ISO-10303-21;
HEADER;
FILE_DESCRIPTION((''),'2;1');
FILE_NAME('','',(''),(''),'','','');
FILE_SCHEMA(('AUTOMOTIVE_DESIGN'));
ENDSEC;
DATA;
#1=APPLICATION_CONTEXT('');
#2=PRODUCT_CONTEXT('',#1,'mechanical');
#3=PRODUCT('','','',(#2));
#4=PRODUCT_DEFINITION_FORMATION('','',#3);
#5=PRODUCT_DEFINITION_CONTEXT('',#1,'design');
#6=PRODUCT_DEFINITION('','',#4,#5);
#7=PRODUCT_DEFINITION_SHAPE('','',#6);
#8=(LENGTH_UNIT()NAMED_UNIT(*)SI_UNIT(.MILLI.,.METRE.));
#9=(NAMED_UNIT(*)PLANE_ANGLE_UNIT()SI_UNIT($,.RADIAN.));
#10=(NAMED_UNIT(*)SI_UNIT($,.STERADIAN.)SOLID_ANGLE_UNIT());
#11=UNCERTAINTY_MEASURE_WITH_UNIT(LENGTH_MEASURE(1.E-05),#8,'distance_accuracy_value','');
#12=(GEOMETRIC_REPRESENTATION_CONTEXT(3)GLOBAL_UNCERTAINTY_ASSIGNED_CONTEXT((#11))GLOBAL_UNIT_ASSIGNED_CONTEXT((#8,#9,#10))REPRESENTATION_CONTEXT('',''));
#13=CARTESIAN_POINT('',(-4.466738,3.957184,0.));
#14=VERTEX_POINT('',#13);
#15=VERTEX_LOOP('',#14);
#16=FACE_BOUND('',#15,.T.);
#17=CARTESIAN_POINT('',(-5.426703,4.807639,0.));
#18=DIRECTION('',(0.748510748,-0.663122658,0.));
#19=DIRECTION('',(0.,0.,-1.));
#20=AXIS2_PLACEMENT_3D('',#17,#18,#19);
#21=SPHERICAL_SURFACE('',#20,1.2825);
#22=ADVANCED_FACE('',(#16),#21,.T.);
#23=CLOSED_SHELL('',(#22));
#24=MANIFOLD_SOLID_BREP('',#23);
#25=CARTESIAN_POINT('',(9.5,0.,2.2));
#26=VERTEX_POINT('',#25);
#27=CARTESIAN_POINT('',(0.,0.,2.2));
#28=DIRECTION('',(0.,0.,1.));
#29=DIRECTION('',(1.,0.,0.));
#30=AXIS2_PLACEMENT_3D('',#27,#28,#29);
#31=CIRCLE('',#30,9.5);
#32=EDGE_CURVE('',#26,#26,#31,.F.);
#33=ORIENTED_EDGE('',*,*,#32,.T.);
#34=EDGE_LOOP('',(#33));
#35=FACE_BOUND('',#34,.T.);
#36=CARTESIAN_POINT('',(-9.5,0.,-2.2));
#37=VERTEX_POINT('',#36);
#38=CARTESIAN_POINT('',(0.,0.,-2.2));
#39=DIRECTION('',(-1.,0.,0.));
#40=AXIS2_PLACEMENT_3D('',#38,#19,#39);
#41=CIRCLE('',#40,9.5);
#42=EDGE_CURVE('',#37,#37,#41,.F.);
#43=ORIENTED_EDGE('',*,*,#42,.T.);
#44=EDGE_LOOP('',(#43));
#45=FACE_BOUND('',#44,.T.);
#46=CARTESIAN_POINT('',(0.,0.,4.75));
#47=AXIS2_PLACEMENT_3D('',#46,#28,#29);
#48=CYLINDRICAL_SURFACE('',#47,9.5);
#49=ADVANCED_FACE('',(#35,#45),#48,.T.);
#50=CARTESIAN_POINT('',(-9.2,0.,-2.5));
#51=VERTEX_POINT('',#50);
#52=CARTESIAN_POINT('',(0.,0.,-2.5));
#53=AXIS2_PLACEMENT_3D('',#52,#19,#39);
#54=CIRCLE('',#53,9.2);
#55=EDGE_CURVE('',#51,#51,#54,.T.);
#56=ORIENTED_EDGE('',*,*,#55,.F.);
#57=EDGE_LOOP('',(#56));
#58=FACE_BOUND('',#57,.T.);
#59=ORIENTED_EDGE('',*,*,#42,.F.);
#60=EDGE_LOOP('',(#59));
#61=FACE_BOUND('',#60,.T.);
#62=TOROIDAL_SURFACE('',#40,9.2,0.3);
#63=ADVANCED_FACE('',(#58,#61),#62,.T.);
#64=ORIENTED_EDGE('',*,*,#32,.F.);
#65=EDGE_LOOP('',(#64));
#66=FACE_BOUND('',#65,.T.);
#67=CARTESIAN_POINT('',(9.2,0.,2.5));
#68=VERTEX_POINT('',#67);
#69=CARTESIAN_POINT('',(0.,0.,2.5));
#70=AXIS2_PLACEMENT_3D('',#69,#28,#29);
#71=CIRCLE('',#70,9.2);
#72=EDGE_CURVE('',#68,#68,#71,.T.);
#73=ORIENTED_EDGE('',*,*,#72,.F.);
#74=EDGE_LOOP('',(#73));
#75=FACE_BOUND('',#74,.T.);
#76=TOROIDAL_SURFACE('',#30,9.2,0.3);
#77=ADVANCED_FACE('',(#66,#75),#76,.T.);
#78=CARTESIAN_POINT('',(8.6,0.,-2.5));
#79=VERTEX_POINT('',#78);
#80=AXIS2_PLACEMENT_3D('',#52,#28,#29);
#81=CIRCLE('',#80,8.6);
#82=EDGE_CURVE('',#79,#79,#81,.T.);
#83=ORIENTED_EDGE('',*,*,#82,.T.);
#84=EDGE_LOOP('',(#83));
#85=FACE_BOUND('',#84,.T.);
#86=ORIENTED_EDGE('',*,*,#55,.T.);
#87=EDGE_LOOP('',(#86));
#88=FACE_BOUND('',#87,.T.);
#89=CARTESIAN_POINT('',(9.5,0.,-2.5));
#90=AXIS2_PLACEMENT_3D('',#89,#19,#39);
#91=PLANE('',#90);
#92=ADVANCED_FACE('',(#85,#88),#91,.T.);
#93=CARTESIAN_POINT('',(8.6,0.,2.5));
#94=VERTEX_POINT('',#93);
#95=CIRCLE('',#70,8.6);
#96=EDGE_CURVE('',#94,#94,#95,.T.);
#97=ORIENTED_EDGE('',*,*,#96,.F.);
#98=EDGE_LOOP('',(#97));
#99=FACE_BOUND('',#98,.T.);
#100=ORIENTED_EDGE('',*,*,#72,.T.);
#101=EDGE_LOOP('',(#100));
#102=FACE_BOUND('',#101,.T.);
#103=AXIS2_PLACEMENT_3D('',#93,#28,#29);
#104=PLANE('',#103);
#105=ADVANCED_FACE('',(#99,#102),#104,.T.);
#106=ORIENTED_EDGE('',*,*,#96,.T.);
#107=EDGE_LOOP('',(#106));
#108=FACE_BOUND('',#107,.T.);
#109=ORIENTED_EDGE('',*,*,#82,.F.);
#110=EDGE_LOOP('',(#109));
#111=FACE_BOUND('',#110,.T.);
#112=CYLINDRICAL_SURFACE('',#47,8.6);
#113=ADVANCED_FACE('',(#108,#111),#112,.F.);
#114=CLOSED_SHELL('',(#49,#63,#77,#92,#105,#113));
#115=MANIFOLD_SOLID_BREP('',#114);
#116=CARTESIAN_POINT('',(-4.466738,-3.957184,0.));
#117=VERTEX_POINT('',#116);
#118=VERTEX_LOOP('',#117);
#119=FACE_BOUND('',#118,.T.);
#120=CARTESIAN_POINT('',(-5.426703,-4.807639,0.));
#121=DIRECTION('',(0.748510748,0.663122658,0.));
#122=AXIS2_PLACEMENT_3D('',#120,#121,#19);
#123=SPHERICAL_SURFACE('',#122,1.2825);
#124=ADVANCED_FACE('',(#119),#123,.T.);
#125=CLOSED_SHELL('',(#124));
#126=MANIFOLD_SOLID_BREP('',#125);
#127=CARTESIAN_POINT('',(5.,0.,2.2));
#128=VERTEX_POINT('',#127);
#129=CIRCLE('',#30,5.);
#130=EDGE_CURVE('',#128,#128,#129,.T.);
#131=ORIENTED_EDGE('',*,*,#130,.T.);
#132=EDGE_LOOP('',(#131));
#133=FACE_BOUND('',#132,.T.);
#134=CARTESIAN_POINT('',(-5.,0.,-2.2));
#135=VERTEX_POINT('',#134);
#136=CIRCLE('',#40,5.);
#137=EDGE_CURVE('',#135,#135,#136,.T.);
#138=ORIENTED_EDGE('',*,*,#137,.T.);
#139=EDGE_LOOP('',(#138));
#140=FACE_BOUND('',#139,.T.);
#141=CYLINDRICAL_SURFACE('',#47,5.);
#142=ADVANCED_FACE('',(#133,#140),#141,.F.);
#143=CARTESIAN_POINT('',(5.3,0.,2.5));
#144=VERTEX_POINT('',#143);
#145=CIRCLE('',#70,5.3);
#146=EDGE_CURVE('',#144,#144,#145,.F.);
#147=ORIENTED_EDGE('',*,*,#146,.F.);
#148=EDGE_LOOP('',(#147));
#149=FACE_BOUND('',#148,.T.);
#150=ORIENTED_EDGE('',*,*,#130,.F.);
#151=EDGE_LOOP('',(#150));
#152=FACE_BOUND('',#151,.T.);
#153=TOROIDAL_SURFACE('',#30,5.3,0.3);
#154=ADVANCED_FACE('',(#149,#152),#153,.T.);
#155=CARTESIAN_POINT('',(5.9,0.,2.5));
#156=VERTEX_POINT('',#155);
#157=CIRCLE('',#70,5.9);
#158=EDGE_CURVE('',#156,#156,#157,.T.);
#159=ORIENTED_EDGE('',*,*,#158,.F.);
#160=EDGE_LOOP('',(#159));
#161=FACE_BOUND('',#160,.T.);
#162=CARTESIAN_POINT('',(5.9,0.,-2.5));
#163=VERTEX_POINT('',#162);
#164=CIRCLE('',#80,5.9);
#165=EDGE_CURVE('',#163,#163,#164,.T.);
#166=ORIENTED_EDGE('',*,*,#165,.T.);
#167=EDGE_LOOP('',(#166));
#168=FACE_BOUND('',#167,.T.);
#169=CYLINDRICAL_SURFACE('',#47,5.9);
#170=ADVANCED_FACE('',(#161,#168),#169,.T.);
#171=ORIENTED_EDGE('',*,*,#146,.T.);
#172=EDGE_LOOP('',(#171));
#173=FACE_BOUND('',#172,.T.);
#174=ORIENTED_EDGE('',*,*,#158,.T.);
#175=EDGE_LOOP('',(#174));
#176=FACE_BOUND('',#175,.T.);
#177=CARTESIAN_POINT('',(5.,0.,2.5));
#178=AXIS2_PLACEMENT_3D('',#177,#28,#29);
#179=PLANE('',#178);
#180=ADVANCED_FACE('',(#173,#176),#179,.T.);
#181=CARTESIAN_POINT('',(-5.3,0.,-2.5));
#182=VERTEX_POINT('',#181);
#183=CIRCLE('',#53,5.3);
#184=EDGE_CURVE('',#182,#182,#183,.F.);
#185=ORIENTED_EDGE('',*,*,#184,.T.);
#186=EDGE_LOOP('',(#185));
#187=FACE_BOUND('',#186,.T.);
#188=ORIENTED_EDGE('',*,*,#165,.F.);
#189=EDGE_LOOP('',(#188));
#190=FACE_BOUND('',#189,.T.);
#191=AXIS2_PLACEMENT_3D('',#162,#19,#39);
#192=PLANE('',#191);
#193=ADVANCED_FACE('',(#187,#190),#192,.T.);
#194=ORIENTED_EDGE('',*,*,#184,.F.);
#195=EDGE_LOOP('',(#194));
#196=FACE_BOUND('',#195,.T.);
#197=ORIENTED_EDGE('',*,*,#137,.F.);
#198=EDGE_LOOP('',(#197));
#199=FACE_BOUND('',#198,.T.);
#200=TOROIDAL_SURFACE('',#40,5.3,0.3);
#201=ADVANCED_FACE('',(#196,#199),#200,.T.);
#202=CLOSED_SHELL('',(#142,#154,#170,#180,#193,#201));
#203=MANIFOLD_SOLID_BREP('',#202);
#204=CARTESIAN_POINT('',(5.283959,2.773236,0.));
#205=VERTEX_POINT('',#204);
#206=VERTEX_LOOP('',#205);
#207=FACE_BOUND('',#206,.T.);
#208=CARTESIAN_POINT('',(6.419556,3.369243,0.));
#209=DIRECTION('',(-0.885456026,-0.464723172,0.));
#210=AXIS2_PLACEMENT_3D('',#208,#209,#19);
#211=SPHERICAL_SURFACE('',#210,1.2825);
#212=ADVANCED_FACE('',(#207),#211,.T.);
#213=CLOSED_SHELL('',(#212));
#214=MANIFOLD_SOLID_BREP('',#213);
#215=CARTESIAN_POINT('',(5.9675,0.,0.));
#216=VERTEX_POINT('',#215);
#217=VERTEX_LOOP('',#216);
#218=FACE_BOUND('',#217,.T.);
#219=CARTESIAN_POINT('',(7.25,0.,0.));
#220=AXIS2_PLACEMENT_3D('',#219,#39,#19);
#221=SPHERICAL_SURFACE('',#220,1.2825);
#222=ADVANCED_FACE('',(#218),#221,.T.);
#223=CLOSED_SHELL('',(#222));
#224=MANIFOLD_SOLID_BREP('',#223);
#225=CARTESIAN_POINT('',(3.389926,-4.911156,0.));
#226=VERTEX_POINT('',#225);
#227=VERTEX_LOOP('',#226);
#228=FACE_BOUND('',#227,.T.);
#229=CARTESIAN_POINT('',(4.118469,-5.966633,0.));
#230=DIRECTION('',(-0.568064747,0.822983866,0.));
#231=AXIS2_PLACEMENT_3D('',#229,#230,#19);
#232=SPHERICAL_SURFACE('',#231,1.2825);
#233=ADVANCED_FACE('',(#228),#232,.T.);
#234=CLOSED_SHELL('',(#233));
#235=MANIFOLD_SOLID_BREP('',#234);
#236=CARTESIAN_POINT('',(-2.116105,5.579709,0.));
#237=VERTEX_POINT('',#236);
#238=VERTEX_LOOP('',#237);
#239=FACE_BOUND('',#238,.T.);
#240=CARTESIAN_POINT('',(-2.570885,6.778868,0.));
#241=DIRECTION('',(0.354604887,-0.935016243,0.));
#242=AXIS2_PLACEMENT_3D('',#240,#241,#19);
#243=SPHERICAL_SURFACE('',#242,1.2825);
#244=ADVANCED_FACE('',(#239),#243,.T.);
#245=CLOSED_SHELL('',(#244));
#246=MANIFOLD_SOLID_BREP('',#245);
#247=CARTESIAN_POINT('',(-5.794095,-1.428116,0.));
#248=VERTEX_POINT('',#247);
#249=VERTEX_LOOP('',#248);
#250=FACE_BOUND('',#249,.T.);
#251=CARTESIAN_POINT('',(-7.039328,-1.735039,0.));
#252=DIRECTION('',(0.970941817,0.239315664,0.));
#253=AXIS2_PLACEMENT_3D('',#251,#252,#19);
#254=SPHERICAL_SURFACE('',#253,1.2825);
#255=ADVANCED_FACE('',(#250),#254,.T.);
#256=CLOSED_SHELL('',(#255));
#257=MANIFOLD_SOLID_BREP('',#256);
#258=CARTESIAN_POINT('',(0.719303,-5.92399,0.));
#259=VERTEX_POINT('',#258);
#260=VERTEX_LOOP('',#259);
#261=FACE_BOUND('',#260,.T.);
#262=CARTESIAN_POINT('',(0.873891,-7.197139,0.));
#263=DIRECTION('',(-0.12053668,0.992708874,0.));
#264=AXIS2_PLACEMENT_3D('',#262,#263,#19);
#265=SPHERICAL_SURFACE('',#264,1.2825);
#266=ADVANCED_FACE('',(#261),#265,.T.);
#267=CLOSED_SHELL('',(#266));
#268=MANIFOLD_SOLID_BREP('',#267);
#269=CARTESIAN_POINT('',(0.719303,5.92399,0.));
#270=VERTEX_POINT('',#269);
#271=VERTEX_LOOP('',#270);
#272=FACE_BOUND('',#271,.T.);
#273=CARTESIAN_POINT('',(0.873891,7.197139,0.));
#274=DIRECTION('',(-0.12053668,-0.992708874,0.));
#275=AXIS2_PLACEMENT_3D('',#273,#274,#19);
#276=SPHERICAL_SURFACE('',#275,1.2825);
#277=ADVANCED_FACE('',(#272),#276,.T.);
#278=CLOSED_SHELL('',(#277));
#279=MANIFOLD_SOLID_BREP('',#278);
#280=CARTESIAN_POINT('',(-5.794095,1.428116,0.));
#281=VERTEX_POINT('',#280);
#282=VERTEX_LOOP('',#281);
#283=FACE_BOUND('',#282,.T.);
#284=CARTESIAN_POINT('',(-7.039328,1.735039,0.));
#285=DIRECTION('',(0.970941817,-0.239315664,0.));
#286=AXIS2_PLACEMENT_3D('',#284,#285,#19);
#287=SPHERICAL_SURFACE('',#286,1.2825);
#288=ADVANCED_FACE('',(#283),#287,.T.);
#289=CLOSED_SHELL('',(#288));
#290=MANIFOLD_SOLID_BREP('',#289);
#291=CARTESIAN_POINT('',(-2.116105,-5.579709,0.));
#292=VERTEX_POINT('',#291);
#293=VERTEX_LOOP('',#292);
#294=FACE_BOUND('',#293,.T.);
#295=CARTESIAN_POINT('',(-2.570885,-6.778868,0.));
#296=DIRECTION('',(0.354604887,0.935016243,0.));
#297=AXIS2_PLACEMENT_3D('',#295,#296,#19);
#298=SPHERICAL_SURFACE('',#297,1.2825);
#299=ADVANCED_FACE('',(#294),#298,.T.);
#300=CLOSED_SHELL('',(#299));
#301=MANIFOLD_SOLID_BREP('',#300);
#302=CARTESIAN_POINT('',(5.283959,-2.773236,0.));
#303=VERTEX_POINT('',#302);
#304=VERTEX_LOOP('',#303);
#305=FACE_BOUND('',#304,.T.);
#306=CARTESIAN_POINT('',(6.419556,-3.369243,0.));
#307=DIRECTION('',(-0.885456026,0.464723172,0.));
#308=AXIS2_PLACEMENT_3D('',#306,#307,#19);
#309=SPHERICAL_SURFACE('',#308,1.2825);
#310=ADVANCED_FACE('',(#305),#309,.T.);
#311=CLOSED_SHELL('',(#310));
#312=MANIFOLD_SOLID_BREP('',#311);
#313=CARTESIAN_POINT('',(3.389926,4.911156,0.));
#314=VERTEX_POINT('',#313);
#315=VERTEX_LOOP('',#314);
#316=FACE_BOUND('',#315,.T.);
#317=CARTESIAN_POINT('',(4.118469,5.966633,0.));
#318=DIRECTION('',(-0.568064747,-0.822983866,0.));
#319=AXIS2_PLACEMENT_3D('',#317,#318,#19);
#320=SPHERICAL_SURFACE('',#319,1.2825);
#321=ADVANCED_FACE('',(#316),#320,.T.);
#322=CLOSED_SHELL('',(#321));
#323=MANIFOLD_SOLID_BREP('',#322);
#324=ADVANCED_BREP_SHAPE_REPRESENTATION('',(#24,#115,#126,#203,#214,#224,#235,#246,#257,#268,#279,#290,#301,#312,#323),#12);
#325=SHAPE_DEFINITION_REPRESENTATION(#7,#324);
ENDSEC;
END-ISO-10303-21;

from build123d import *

# Parameters (mm, degrees)
INNERS_W           = 0.9
INNERS_H           = 5
OUTERS_W           = 0.9
OUTERS_H           = 5
BALLSPATTERN_COUNT = 13
FILLET_F1_R        = 0.3
FILLET_F2_R        = 0.3


with BuildPart() as part:
    # InnerS → InnerRing (revolve)
    with BuildSketch(Plane(origin=(0, 0, 0), x_dir=(1, 0, 0), z_dir=(0, 1, 0))):
        with Locations((5.45, 0)):
            Rectangle(INNERS_W, INNERS_H)
    revolve(axis=Axis((0, 0, 4.75), (0, 0, -1)))

    # Fillet F2
    fillet_f2_edges = [part.edges().sort_by_distance(p)[0] for p in [
        (-5, 0, -2.5),
        (-5, 0, 2.5),
    ]]
    fillet(fillet_f2_edges, radius=FILLET_F2_R)


with BuildPart() as body_2:
    # OuterS → OuterRing (revolve)
    with BuildSketch(Plane(origin=(0, 0, 0), x_dir=(1, 0, 0), z_dir=(0, 1, 0))):
        with Locations((9.05, 0)):
            Rectangle(OUTERS_W, OUTERS_H)
    revolve(axis=Axis((0, 0, 4.75), (0, 0, -1)))

    # Fillet F1
    fillet_f1_edges = [body_2.edges().sort_by_distance(p)[0] for p in [
        (-9.5, 0, -2.5),
        (-9.5, 0, 2.5),
    ]]
    fillet(fillet_f1_edges, radius=FILLET_F1_R)


with BuildPart() as body_3:
    # BallS → Ball (revolve)
    with BuildSketch(Plane(origin=(0, 0, 0), x_dir=(1, 0, 0), z_dir=(0, 1, 0))):
        with BuildLine():
            Line((5.9675, 0), (8.5325, 0))
            ThreePointArc((8.5325, 0), (7.25, -1.2825), (5.9675, 0))
        make_face()
    revolve(axis=Axis((5.9675, 0, 0), (1, 0, 0)))


with BuildPart() as ballspattern_1:
    # BallsPattern: pattern copy
    add(body_3.part.rotate(Axis((0, 0, -2.75), (0, 0, 1)), 1 * 360 / BALLSPATTERN_COUNT))


with BuildPart() as ballspattern_2:
    # BallsPattern: pattern copy
    add(body_3.part.rotate(Axis((0, 0, -2.75), (0, 0, 1)), 2 * 360 / BALLSPATTERN_COUNT))


with BuildPart() as ballspattern_3:
    # BallsPattern: pattern copy
    add(body_3.part.rotate(Axis((0, 0, -2.75), (0, 0, 1)), 3 * 360 / BALLSPATTERN_COUNT))


with BuildPart() as ballspattern_4:
    # BallsPattern: pattern copy
    add(body_3.part.rotate(Axis((0, 0, -2.75), (0, 0, 1)), 4 * 360 / BALLSPATTERN_COUNT))


with BuildPart() as ballspattern_5:
    # BallsPattern: pattern copy
    add(body_3.part.rotate(Axis((0, 0, -2.75), (0, 0, 1)), 5 * 360 / BALLSPATTERN_COUNT))


with BuildPart() as ballspattern_6:
    # BallsPattern: pattern copy
    add(body_3.part.rotate(Axis((0, 0, -2.75), (0, 0, 1)), 6 * 360 / BALLSPATTERN_COUNT))


with BuildPart() as ballspattern_7:
    # BallsPattern: pattern copy
    add(body_3.part.rotate(Axis((0, 0, -2.75), (0, 0, 1)), 7 * 360 / BALLSPATTERN_COUNT))


with BuildPart() as ballspattern_8:
    # BallsPattern: pattern copy
    add(body_3.part.rotate(Axis((0, 0, -2.75), (0, 0, 1)), 8 * 360 / BALLSPATTERN_COUNT))


with BuildPart() as ballspattern_9:
    # BallsPattern: pattern copy
    add(body_3.part.rotate(Axis((0, 0, -2.75), (0, 0, 1)), 9 * 360 / BALLSPATTERN_COUNT))


with BuildPart() as ballspattern_10:
    # BallsPattern: pattern copy
    add(body_3.part.rotate(Axis((0, 0, -2.75), (0, 0, 1)), 10 * 360 / BALLSPATTERN_COUNT))


with BuildPart() as ballspattern_11:
    # BallsPattern: pattern copy
    add(body_3.part.rotate(Axis((0, 0, -2.75), (0, 0, 1)), 11 * 360 / BALLSPATTERN_COUNT))


with BuildPart() as ballspattern_12:
    # BallsPattern: pattern copy
    add(body_3.part.rotate(Axis((0, 0, -2.75), (0, 0, 1)), 12 * 360 / BALLSPATTERN_COUNT))


solid = Compound([part.part, body_2.part, body_3.part, ballspattern_1.part, ballspattern_2.part, ballspattern_3.part, ballspattern_4.part, ballspattern_5.part, ballspattern_6.part, ballspattern_7.part, ballspattern_8.part, ballspattern_9.part, ballspattern_10.part, ballspattern_11.part, ballspattern_12.part])
